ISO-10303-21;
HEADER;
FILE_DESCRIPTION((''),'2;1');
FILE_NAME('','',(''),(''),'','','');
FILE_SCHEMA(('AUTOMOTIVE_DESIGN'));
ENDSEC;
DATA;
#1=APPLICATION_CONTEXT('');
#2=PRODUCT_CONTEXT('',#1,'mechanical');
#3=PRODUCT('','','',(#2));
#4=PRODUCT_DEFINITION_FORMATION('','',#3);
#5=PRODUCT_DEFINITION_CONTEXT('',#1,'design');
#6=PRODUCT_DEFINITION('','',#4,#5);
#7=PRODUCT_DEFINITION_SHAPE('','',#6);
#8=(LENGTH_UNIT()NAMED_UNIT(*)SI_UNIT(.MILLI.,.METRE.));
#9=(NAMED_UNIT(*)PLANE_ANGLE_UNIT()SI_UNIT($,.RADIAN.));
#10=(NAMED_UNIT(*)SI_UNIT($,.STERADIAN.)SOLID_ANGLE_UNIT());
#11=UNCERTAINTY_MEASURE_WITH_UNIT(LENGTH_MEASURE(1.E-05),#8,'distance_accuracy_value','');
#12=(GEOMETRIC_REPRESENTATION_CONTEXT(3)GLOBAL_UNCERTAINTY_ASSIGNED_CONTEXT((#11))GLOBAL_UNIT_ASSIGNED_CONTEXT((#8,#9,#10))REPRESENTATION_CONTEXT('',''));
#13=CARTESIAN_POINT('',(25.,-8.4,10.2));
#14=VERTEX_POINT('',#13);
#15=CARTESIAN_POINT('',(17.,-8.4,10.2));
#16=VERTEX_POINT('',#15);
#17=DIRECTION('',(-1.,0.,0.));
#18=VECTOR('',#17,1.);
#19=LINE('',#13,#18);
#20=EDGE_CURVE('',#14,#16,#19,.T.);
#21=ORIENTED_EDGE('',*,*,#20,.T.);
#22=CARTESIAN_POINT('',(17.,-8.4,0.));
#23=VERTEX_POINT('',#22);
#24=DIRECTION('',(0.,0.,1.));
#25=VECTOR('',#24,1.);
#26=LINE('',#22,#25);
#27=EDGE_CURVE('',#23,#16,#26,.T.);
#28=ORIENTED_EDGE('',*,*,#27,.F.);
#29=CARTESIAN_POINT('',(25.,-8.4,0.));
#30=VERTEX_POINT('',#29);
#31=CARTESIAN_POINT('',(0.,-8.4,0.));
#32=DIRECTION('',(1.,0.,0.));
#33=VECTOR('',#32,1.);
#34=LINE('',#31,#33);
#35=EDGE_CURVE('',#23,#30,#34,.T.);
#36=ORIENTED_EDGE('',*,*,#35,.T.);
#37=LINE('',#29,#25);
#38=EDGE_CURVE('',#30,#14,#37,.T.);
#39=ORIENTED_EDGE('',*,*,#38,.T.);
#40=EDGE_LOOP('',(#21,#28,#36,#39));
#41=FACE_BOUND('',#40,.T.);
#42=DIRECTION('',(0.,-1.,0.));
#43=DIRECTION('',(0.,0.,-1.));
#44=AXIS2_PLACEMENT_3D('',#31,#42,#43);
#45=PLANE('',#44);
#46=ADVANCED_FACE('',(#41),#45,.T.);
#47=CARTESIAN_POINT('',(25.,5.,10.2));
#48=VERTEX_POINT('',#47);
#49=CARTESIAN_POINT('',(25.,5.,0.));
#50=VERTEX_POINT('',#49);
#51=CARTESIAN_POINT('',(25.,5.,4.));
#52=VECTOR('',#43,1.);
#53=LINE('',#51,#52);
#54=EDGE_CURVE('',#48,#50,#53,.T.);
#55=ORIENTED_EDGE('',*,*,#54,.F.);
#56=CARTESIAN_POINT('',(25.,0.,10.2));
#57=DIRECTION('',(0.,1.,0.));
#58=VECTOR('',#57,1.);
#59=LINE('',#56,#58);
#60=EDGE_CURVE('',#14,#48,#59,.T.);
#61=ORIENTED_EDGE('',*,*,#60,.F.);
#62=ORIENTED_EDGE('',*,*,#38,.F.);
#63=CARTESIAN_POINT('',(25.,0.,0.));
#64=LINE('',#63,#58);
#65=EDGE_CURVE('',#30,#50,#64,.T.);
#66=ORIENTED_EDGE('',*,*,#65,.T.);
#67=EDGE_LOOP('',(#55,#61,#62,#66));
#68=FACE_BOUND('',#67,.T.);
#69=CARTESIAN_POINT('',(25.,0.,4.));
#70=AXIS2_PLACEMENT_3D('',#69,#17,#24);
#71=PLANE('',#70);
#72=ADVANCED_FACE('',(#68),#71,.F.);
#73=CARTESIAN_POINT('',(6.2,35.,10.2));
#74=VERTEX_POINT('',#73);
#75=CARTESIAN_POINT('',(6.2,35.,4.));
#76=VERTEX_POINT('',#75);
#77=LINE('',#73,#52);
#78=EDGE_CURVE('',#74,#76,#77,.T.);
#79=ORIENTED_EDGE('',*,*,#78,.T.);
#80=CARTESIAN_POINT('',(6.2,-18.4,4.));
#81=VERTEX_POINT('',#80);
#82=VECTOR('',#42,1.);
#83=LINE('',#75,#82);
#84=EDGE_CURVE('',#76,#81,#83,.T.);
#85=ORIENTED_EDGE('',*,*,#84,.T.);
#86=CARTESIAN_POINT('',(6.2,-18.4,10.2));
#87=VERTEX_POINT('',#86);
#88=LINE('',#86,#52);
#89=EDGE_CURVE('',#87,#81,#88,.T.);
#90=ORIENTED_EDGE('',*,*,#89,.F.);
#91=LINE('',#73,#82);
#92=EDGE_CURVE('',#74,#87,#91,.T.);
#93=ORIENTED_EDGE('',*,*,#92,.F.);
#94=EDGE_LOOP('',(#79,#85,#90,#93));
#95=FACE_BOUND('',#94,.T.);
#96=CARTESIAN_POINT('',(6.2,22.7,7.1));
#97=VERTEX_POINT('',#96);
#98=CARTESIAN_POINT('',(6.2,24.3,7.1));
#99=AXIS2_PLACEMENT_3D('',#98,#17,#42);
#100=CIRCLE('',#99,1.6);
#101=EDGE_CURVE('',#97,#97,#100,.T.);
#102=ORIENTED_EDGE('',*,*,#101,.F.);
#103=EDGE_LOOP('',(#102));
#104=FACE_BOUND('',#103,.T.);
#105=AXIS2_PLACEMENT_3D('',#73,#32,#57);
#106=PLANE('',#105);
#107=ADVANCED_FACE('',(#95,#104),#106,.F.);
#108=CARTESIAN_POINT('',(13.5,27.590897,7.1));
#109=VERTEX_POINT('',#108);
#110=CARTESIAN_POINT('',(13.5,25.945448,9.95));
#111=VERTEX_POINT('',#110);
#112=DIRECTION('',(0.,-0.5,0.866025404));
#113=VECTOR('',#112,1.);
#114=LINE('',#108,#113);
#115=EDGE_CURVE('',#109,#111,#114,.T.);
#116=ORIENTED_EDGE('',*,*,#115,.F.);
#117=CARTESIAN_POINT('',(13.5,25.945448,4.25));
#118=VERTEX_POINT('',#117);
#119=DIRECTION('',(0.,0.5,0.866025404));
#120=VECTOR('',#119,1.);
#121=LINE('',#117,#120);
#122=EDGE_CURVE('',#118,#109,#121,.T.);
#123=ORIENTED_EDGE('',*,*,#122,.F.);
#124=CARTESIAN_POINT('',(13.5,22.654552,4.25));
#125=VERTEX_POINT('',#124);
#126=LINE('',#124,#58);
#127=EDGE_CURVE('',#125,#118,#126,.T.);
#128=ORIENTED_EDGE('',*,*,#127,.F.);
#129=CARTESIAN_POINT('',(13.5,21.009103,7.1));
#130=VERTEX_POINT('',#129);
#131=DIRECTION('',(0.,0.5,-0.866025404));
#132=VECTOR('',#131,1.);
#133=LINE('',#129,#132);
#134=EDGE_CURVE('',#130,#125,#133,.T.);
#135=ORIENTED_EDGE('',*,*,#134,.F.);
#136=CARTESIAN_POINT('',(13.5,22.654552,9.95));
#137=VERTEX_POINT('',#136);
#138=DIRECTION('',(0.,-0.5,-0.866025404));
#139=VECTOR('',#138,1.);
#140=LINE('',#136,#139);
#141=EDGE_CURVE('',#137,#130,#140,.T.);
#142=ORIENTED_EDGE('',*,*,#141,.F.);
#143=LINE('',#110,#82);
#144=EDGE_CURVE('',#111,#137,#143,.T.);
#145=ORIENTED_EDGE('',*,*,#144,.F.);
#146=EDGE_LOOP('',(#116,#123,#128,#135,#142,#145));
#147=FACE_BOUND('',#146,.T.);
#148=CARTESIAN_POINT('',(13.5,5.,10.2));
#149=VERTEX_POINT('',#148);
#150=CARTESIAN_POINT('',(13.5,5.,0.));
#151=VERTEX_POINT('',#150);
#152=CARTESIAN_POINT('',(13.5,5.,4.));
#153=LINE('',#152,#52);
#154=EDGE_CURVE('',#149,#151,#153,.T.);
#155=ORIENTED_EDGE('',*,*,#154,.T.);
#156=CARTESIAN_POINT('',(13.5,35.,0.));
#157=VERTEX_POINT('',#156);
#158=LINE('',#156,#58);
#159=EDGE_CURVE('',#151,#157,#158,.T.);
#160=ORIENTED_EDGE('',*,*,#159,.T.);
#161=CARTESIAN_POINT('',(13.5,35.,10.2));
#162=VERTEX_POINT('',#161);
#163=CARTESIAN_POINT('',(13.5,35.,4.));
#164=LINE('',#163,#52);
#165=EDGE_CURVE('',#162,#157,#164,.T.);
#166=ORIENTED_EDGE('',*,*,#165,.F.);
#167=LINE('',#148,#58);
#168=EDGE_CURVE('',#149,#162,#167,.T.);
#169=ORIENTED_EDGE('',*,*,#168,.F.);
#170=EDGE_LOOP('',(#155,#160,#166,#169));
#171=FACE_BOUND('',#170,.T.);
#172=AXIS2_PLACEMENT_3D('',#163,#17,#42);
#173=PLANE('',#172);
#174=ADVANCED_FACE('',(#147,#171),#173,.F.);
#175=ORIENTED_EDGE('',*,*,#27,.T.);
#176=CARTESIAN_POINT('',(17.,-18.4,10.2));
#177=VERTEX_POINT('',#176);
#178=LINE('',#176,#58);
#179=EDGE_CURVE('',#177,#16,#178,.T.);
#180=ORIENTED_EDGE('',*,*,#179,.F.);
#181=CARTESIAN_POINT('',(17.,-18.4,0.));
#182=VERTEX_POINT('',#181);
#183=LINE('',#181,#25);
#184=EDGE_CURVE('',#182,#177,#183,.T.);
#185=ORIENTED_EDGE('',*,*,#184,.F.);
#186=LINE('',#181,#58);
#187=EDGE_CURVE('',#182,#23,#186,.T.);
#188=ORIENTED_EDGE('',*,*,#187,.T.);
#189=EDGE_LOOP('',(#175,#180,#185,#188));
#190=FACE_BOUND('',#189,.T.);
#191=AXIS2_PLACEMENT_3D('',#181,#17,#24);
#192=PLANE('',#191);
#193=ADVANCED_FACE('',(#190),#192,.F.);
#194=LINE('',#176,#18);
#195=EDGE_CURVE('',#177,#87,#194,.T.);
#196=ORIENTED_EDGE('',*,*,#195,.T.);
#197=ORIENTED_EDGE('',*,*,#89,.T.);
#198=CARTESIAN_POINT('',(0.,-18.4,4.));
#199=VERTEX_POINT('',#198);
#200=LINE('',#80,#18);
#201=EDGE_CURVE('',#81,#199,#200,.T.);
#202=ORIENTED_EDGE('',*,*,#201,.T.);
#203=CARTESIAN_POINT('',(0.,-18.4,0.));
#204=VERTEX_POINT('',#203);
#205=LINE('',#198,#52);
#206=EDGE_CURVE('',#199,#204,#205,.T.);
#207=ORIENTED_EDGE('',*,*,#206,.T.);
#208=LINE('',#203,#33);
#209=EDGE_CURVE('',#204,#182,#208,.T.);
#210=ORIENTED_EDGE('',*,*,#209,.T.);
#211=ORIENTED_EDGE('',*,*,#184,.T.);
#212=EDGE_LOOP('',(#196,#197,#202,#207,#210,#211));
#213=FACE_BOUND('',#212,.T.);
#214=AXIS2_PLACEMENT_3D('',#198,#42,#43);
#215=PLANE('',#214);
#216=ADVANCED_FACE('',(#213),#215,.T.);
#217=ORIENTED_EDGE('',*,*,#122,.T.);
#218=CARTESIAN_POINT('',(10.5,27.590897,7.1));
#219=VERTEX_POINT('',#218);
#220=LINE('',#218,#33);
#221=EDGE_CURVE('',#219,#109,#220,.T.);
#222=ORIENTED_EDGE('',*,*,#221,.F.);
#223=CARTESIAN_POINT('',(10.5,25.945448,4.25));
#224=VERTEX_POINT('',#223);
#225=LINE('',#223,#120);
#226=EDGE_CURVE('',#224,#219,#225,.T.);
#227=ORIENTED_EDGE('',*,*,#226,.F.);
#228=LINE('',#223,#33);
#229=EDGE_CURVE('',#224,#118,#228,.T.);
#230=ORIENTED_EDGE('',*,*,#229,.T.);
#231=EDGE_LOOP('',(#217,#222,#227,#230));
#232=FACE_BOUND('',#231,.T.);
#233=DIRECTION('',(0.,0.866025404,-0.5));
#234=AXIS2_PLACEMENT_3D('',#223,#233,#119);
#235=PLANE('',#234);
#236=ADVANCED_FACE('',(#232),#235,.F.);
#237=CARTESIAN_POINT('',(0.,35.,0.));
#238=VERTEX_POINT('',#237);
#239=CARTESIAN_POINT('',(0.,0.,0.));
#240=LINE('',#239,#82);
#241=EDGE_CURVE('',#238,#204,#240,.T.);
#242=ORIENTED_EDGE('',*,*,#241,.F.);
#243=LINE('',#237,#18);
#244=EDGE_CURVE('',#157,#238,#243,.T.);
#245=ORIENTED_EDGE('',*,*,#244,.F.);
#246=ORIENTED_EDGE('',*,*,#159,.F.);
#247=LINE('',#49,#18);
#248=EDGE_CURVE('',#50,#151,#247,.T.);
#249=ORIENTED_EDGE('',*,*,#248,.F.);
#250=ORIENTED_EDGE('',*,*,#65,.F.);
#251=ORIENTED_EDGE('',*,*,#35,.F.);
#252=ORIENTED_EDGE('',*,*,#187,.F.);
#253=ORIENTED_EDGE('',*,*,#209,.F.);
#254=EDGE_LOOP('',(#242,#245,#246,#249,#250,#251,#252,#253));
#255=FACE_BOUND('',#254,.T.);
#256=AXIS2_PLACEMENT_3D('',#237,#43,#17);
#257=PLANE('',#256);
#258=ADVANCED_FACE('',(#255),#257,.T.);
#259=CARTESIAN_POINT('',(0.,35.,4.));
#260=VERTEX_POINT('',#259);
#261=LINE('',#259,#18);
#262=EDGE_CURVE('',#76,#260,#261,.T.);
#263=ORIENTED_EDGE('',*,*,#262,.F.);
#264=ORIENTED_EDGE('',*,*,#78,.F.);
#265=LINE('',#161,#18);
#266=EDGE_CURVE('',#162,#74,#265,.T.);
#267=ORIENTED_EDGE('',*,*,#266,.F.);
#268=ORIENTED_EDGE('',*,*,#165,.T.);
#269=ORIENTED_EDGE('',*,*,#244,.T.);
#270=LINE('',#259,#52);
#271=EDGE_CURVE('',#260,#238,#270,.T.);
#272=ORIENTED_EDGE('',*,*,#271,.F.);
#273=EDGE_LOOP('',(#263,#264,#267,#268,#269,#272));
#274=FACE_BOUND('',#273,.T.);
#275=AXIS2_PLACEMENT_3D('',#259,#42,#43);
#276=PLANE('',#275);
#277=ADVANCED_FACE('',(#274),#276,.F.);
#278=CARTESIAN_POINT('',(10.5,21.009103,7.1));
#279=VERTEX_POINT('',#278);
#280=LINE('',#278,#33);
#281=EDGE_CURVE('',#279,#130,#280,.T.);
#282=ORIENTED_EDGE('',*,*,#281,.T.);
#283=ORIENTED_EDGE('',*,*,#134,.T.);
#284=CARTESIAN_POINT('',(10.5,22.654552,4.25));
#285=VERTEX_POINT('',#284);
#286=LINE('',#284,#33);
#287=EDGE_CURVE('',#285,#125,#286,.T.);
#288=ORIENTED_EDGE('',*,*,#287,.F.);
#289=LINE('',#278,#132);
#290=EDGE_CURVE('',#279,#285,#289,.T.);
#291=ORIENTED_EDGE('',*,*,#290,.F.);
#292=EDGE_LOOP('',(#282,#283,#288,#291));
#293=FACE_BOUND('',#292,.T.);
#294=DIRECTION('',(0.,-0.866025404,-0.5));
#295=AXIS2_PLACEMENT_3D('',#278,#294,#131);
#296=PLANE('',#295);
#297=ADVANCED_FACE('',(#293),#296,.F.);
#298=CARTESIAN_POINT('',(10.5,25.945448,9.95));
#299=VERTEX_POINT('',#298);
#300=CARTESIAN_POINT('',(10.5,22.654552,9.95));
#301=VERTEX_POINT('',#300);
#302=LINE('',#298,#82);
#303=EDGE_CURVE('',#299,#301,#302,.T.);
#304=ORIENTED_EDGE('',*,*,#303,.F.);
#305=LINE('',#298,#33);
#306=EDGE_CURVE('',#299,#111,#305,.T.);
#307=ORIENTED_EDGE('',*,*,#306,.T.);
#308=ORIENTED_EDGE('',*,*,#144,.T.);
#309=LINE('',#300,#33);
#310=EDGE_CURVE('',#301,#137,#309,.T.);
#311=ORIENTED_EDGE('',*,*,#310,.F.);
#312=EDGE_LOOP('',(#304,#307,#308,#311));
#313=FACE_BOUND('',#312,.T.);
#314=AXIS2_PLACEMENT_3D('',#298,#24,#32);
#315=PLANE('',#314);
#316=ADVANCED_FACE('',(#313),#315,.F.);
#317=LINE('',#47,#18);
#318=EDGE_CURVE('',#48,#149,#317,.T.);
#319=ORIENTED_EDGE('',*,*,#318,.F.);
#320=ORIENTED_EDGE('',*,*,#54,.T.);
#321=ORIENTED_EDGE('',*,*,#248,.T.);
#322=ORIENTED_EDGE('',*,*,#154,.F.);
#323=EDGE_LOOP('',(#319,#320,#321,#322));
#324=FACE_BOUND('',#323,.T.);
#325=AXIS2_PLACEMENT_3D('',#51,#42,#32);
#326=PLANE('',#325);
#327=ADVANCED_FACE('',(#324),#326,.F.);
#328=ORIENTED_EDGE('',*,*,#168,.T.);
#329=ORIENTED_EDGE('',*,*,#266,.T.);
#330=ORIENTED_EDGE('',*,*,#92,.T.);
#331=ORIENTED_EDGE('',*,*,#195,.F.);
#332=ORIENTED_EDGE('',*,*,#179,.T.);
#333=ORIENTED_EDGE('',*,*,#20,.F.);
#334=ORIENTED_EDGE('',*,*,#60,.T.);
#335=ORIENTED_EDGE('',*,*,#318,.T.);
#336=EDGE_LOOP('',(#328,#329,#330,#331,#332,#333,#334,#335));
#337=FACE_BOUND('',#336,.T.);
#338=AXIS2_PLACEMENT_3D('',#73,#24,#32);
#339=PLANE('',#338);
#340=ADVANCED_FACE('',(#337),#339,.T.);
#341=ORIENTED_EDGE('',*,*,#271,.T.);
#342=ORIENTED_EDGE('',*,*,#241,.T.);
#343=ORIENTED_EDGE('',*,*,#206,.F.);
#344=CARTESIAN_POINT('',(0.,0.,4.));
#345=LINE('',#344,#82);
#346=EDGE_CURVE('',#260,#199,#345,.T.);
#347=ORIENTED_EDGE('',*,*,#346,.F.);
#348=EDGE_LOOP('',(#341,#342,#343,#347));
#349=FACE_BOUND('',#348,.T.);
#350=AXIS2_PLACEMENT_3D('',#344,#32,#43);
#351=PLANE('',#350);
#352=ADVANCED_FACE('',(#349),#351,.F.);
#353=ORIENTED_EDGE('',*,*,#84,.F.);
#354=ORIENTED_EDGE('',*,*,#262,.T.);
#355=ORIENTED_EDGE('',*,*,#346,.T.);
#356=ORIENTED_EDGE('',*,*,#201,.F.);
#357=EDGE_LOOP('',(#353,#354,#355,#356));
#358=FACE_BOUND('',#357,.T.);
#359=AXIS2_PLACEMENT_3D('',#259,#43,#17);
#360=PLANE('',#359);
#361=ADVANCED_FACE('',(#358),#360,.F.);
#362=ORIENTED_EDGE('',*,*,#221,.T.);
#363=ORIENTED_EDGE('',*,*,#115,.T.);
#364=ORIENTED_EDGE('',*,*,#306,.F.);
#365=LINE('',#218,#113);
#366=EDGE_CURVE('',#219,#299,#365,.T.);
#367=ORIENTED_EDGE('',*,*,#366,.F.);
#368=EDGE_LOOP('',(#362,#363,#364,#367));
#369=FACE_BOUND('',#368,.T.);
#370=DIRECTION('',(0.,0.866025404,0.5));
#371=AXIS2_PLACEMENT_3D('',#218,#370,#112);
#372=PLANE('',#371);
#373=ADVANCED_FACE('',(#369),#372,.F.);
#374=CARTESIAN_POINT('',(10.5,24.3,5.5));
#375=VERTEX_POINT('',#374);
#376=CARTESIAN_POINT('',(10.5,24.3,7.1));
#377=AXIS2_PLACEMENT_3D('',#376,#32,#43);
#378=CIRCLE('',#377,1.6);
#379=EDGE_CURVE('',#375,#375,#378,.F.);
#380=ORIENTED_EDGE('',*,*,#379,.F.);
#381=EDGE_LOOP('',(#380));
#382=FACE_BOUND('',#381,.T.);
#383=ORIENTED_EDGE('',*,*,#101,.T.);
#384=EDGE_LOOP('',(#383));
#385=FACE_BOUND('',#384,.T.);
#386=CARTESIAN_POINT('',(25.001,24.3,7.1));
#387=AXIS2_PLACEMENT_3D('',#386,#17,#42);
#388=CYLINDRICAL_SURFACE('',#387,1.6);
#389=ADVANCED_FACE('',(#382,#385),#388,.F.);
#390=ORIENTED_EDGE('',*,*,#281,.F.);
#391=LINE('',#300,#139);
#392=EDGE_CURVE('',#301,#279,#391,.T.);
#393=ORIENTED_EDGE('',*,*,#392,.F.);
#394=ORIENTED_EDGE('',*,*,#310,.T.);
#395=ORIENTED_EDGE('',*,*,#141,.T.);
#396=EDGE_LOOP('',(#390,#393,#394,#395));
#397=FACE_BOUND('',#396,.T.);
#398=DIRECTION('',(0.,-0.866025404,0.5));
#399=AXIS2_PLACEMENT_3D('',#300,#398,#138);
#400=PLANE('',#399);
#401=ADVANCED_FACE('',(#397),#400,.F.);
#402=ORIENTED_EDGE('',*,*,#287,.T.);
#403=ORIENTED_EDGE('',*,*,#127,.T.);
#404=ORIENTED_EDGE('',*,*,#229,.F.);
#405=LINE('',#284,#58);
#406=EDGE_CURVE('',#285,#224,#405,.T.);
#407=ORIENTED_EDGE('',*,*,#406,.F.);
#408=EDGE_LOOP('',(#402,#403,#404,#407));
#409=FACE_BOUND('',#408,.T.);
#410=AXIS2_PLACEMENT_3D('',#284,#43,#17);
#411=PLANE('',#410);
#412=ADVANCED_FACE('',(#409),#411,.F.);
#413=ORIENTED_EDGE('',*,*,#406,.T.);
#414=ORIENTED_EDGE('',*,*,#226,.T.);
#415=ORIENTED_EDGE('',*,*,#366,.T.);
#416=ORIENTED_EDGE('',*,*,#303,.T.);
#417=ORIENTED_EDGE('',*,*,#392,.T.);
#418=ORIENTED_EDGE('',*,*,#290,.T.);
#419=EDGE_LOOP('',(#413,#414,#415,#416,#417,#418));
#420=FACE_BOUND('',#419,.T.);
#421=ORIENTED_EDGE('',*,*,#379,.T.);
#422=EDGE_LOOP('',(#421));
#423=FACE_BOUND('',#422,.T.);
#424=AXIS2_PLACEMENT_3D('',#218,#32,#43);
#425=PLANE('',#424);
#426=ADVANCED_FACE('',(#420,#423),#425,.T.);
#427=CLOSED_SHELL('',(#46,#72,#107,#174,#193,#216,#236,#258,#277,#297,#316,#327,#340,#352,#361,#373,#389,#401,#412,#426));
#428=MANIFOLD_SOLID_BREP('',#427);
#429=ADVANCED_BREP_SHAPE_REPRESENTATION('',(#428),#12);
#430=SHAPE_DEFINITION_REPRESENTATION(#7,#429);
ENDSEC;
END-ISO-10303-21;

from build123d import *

# Parameters (mm, degrees)
SALIENTE_EXTRUIR1_DEPTH = 4
SALIENTE_EXTRUIR2_DEPTH = 6.2
CORTAR_EXTRUIR1_REACH   = 20.8
CROQUIS3_R              = 1.6
CORTAR_EXTRUIR2_DEPTH   = 3
SALIENTE_EXTRUIR3_DEPTH = 8.4
SALIENTE_EXTRUIR4_DEPTH = 10


with BuildPart() as part:
    # Croquis1 → Saliente-Extruir1 (new body)
    with BuildSketch(Plane.XY):
        Polygon((0, 0), (25, 0), (25, 5), (13.5, 5), (13.5, 35), (0, 35), align=None)
    extrude(amount=SALIENTE_EXTRUIR1_DEPTH)

    # Croquis2 → Saliente-Extruir2 (add)
    with BuildSketch(Plane.XY.offset(4)):
        Polygon((6.2, 35), (6.2, 0), (25, 0), (25, 5), (13.5, 5), (13.5, 35), align=None)
    extrude(amount=SALIENTE_EXTRUIR2_DEPTH)

    # Croquis3 → Cortar-Extruir1 (cut, up to next)
    with BuildSketch(Plane.ZY.offset(-6.2), mode=Mode.PRIVATE) as cortar_extruir1_sk1:
        with Locations((7.1, 24.3)):
            Circle(CROQUIS3_R)
    cortar_extruir1_tool1 = extrude(cortar_extruir1_sk1.sketch, amount=-CORTAR_EXTRUIR1_REACH, mode=Mode.PRIVATE) & part.part
    add(cortar_extruir1_tool1.solids().sort_by_distance((6.2, 24.3, 7.1))[0], mode=Mode.SUBTRACT)

    # Croquis4 → Cortar-Extruir2 (cut)
    with BuildSketch(Plane(origin=(13.5, 0, 0), x_dir=(0, 0, -1), z_dir=(1, 0, 0))):
        Polygon((-7.1, 27.590896534), (-9.95, 25.945448267), (-9.95, 22.654551733), (-7.1, 21.009103466), (-4.25, 22.654551733), (-4.25, 25.945448267), align=None)
    extrude(amount=-CORTAR_EXTRUIR2_DEPTH, mode=Mode.SUBTRACT)

    # Croquis5 → Saliente-Extruir3 (add)
    with BuildSketch(Plane.XZ):
        Polygon((0, 0), (25, 0), (25, 10.2), (6.2, 10.2), (6.2, 4), (0, 4), align=None)
    extrude(amount=SALIENTE_EXTRUIR3_DEPTH)

    # Croquis6 → Saliente-Extruir4 (add)
    with BuildSketch(Plane.XZ.offset(8.4)):
        Polygon((17, 0), (17, 10.2), (6.2, 10.2), (6.2, 4), (0, 4), (0, 0), align=None)
    extrude(amount=SALIENTE_EXTRUIR4_DEPTH)


solid = part.part
